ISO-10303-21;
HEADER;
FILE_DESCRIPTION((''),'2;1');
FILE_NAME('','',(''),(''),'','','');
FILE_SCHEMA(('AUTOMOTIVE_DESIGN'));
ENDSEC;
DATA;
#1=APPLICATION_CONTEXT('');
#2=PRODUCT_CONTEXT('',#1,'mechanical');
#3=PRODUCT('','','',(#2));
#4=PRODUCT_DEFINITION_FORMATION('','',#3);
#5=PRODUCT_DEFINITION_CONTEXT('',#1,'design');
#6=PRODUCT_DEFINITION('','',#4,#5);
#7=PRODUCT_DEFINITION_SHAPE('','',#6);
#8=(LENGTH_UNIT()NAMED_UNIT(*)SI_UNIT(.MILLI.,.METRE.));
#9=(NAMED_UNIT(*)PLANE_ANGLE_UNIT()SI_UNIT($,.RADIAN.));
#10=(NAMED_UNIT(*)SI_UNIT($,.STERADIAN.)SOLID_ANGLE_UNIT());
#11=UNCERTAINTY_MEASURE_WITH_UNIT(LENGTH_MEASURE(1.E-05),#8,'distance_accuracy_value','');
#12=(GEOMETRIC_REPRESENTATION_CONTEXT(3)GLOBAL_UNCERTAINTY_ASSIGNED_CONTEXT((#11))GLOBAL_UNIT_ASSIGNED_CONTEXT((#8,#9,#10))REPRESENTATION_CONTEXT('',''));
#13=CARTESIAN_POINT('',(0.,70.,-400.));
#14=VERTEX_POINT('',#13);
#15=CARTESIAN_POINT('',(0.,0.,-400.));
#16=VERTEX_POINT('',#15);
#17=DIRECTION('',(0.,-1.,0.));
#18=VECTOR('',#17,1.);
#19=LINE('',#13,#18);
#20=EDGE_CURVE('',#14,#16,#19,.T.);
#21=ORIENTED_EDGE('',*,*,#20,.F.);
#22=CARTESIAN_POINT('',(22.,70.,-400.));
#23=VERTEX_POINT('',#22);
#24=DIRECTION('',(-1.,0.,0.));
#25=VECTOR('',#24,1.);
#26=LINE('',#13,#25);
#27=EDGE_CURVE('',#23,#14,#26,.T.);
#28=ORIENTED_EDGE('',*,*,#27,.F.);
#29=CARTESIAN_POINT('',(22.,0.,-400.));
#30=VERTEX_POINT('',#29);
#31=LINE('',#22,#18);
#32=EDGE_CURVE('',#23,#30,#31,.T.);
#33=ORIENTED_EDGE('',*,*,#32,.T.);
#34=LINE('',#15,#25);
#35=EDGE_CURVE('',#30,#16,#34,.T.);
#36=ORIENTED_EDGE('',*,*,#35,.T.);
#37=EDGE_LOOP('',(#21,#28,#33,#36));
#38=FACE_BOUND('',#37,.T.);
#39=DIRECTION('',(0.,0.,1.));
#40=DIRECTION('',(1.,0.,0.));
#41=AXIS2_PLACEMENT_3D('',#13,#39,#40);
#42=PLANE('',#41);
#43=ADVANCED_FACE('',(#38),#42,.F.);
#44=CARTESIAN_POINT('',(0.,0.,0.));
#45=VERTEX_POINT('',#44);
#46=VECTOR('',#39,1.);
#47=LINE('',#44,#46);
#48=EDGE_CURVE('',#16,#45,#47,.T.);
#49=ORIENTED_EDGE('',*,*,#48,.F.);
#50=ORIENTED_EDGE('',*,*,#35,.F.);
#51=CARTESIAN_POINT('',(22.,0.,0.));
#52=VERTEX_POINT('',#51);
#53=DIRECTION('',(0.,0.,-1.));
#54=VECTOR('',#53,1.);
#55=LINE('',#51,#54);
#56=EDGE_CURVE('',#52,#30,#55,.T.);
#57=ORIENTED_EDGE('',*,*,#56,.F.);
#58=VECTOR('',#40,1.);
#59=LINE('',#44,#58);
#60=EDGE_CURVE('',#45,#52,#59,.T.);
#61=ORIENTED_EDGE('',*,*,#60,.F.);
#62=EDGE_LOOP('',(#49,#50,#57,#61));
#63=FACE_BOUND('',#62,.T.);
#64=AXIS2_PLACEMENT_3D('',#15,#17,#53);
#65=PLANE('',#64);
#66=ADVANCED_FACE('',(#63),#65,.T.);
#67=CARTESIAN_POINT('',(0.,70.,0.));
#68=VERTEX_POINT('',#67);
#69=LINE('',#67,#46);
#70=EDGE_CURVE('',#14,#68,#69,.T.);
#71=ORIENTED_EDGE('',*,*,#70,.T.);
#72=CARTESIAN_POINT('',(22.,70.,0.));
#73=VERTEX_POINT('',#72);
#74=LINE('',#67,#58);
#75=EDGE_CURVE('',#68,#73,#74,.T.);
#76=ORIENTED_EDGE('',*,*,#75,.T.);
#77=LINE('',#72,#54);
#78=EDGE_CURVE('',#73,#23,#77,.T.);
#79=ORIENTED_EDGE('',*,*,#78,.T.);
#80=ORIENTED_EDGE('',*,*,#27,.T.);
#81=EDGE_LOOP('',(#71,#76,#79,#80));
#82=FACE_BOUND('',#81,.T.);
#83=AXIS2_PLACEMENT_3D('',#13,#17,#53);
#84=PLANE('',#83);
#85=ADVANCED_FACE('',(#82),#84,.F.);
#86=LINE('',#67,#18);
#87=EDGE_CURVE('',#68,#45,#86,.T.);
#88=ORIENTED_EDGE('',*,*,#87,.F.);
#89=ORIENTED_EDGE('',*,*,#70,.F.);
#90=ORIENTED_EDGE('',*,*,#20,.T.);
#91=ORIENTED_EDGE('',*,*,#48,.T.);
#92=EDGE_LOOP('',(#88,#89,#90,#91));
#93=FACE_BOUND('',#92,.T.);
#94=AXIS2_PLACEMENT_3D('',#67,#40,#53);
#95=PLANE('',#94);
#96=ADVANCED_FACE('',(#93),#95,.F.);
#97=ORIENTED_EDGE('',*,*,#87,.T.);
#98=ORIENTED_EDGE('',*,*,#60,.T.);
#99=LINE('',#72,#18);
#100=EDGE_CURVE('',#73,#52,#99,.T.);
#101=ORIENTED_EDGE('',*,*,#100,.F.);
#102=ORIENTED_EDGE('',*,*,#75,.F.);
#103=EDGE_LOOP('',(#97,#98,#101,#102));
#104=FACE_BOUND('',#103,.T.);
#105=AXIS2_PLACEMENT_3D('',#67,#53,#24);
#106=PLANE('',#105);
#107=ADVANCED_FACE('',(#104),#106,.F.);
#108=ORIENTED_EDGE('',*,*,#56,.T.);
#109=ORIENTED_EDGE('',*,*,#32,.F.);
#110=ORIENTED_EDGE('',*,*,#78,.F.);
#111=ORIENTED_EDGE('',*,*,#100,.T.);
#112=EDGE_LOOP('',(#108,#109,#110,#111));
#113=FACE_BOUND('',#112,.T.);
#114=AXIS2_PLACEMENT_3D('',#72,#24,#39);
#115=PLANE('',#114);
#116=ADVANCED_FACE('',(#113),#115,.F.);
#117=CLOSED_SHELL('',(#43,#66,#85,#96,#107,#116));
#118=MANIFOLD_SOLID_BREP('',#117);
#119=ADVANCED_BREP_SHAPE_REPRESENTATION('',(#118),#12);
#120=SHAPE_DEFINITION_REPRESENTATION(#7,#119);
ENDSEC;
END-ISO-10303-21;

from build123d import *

# Parameters (mm, degrees)
ESQUISSE1_W      = 22
ESQUISSE1_H      = 400
EXTRUSION1_DEPTH = 70


with BuildPart() as part:
    # Esquisse1 → Extrusion1 (new body)
    with BuildSketch(Plane(origin=(0, 0, 0), x_dir=(1, 0, 0), z_dir=(0, 1, 0))):
        with Locations((11, 200)):
            Rectangle(ESQUISSE1_W, ESQUISSE1_H)
    extrude(amount=EXTRUSION1_DEPTH)


solid = part.part
